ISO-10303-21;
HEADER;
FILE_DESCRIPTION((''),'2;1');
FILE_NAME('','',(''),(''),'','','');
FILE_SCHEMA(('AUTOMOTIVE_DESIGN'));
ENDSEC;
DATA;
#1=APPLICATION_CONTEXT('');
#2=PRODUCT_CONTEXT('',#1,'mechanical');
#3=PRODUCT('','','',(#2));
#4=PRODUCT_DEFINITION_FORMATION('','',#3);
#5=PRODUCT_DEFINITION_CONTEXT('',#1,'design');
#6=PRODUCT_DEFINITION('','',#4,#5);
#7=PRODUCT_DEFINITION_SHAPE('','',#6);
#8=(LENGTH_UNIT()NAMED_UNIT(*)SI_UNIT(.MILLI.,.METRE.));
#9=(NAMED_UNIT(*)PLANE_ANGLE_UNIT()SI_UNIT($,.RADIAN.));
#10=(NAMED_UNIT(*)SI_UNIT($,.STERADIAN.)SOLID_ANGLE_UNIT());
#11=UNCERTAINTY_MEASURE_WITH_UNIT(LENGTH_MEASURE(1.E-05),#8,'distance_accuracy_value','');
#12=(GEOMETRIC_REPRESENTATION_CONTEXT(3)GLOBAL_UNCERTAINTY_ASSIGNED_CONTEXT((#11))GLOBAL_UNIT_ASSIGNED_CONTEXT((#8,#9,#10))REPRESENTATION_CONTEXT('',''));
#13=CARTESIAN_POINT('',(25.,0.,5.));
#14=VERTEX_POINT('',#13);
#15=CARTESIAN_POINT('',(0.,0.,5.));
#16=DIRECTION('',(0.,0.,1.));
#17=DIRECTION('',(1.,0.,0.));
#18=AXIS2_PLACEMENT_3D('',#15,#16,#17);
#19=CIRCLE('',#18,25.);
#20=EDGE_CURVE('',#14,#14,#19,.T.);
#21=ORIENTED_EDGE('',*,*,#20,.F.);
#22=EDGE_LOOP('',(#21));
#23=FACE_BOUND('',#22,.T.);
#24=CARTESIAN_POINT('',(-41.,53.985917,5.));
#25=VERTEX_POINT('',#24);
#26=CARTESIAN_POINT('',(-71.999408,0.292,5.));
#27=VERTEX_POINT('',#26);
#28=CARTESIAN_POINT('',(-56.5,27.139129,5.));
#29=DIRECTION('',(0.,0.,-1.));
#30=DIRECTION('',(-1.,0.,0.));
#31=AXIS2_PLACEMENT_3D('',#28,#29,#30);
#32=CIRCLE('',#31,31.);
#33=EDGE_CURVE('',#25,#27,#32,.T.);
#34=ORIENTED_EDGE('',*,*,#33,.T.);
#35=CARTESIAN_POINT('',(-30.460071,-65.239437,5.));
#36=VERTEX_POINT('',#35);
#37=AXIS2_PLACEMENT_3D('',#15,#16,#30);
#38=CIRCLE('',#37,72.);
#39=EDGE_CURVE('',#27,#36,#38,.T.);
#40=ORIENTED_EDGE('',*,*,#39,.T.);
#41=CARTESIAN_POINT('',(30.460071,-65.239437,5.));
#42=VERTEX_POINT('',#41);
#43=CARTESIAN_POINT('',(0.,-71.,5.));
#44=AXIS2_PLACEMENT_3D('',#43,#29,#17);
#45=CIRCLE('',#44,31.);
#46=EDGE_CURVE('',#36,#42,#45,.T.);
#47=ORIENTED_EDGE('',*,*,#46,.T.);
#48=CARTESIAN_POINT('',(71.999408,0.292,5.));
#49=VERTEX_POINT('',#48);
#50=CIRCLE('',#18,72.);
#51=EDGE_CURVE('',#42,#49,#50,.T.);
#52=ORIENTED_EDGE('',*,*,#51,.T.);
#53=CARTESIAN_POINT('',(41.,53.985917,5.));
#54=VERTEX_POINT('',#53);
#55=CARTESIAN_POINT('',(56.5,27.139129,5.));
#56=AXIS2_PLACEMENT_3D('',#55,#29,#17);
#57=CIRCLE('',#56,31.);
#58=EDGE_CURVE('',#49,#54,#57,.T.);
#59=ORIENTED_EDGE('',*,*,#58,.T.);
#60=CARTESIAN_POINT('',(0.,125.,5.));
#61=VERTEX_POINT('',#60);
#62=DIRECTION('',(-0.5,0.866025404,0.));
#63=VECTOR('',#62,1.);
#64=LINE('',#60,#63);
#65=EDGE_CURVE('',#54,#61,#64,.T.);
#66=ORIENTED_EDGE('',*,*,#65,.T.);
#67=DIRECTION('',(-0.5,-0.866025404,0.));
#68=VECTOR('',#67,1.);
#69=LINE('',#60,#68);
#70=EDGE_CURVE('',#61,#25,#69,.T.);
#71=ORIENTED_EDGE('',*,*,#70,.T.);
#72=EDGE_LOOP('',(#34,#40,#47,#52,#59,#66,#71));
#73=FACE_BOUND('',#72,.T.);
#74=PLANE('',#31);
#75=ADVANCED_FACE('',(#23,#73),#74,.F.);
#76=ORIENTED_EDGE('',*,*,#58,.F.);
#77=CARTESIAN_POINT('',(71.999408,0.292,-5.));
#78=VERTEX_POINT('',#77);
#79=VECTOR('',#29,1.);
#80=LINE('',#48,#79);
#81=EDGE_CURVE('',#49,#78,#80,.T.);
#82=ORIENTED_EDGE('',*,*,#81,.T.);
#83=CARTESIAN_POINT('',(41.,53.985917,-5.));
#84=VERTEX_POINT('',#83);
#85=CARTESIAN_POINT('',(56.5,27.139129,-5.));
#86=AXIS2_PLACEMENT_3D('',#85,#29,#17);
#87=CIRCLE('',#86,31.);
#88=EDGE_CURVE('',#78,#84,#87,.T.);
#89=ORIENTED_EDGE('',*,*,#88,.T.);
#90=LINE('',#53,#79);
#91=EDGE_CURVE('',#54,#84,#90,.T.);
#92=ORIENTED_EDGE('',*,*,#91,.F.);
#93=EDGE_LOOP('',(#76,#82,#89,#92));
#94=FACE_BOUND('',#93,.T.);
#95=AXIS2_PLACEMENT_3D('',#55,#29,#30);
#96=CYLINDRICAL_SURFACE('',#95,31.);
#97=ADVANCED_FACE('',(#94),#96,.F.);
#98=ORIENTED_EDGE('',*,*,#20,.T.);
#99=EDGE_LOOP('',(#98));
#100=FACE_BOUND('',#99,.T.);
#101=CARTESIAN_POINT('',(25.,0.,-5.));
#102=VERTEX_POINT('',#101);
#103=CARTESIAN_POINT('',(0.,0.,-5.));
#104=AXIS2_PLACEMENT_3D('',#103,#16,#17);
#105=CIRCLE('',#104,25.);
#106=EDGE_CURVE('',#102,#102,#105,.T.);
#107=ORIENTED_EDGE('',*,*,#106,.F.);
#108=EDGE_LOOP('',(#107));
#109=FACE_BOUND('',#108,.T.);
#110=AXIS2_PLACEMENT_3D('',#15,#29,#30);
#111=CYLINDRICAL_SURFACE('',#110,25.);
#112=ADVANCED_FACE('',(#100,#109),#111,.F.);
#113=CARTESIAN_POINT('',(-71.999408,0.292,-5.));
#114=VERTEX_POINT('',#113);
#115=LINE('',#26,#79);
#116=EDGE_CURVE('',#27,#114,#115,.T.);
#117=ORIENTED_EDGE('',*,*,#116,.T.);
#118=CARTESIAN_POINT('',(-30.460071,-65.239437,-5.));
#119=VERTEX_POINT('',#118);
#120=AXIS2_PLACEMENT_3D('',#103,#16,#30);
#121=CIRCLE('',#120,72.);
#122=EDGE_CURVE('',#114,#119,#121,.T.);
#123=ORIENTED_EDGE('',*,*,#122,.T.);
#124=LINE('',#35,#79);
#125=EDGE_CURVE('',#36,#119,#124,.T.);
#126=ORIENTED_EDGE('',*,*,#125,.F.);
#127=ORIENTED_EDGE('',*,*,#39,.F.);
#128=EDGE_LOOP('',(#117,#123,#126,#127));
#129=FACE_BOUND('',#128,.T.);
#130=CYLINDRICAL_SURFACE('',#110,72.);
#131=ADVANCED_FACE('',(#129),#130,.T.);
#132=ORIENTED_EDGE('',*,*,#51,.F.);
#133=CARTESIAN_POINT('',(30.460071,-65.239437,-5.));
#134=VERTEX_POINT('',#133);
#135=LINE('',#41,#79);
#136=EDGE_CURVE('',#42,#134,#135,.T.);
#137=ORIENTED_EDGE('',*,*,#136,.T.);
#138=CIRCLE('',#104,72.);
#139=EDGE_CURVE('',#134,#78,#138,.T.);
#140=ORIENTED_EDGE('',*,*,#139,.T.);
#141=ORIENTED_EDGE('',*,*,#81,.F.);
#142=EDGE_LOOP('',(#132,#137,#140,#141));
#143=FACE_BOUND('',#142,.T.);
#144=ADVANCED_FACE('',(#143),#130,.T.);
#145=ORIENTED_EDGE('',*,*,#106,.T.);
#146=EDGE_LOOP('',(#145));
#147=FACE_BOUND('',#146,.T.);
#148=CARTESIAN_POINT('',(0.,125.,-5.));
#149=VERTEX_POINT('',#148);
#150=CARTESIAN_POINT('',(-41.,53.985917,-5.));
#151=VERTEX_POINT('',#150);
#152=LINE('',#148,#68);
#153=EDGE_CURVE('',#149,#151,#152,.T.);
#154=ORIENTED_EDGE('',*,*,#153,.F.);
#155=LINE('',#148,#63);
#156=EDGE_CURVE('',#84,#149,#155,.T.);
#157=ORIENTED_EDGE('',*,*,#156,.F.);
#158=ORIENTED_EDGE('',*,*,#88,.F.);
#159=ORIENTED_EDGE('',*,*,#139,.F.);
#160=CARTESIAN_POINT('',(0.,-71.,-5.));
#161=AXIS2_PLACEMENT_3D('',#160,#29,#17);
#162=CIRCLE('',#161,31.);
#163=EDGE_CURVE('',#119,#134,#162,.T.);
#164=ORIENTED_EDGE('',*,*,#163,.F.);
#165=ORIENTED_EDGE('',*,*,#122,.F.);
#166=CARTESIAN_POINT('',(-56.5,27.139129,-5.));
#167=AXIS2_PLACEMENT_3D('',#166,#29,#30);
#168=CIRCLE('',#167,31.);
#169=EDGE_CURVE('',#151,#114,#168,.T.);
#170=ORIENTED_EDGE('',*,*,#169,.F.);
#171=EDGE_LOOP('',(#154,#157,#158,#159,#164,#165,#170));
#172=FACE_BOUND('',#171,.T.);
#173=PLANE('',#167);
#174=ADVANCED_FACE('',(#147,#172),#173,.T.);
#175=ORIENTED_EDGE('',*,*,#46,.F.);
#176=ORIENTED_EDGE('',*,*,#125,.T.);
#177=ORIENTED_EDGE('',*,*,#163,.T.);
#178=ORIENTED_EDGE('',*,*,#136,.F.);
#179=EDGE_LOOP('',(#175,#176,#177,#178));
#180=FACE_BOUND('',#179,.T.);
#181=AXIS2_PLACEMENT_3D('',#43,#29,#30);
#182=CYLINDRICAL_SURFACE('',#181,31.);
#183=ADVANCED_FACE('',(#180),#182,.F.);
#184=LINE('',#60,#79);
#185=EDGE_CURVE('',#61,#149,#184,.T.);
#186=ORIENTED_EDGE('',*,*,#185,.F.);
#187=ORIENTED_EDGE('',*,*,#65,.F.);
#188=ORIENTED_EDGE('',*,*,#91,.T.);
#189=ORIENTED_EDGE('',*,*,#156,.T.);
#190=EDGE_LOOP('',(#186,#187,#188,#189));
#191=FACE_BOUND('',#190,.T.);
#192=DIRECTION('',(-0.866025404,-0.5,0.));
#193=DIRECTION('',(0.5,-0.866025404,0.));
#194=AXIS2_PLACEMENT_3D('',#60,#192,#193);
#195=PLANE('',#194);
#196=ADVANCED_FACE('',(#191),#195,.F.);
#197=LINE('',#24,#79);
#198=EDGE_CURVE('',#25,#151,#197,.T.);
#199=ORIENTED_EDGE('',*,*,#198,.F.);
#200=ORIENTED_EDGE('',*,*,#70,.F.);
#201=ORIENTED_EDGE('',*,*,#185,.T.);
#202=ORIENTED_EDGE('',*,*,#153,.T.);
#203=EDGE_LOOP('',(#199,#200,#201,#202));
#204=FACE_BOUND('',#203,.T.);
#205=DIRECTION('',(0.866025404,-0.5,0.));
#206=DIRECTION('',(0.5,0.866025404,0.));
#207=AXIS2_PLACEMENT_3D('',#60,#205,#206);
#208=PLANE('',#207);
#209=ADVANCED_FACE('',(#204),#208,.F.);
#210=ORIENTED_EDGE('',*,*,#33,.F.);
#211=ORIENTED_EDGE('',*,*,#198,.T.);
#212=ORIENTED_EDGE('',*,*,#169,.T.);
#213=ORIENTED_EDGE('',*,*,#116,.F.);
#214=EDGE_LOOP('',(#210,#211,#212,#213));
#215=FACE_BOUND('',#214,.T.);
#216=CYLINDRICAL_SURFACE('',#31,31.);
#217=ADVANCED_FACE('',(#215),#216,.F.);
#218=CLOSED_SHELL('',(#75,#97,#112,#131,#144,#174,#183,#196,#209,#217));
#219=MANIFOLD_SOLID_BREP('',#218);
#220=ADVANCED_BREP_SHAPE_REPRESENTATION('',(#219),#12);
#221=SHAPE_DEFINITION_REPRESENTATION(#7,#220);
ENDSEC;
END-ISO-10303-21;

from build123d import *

# Parameters (mm, degrees)
SKETCH1_6_R         = 25
BOSS_EXTRUDE3_DEPTH = 5


with BuildPart() as part:
    # Sketch1<6> → Boss-Extrude3 (new, symmetric)
    with BuildSketch(Plane.XY):
        with BuildLine():
            Line((0, 125), (41, 53.98591689))
            ThreePointArc((41, 53.98591689), (29.653041557, 11.639425428), (71.999407886, 0.292000007))
            ThreePointArc((71.999407886, 0.292000007), (60.81182851, -38.5476525), (30.460070741, -65.23943662))
            ThreePointArc((30.460070741, -65.23943662), (0, -40), (-30.460070741, -65.23943662))
            ThreePointArc((-30.460070741, -65.23943662), (-60.81182851, -38.5476525), (-71.999407886, 0.292000007))
            ThreePointArc((-71.999407886, 0.292000007), (-29.653041557, 11.639425428), (-41, 53.98591689))
            Line((-41, 53.98591689), (0, 125))
        make_face()
        Circle(SKETCH1_6_R, mode=Mode.SUBTRACT)
    extrude(amount=BOSS_EXTRUDE3_DEPTH, both=True)


solid = part.part
